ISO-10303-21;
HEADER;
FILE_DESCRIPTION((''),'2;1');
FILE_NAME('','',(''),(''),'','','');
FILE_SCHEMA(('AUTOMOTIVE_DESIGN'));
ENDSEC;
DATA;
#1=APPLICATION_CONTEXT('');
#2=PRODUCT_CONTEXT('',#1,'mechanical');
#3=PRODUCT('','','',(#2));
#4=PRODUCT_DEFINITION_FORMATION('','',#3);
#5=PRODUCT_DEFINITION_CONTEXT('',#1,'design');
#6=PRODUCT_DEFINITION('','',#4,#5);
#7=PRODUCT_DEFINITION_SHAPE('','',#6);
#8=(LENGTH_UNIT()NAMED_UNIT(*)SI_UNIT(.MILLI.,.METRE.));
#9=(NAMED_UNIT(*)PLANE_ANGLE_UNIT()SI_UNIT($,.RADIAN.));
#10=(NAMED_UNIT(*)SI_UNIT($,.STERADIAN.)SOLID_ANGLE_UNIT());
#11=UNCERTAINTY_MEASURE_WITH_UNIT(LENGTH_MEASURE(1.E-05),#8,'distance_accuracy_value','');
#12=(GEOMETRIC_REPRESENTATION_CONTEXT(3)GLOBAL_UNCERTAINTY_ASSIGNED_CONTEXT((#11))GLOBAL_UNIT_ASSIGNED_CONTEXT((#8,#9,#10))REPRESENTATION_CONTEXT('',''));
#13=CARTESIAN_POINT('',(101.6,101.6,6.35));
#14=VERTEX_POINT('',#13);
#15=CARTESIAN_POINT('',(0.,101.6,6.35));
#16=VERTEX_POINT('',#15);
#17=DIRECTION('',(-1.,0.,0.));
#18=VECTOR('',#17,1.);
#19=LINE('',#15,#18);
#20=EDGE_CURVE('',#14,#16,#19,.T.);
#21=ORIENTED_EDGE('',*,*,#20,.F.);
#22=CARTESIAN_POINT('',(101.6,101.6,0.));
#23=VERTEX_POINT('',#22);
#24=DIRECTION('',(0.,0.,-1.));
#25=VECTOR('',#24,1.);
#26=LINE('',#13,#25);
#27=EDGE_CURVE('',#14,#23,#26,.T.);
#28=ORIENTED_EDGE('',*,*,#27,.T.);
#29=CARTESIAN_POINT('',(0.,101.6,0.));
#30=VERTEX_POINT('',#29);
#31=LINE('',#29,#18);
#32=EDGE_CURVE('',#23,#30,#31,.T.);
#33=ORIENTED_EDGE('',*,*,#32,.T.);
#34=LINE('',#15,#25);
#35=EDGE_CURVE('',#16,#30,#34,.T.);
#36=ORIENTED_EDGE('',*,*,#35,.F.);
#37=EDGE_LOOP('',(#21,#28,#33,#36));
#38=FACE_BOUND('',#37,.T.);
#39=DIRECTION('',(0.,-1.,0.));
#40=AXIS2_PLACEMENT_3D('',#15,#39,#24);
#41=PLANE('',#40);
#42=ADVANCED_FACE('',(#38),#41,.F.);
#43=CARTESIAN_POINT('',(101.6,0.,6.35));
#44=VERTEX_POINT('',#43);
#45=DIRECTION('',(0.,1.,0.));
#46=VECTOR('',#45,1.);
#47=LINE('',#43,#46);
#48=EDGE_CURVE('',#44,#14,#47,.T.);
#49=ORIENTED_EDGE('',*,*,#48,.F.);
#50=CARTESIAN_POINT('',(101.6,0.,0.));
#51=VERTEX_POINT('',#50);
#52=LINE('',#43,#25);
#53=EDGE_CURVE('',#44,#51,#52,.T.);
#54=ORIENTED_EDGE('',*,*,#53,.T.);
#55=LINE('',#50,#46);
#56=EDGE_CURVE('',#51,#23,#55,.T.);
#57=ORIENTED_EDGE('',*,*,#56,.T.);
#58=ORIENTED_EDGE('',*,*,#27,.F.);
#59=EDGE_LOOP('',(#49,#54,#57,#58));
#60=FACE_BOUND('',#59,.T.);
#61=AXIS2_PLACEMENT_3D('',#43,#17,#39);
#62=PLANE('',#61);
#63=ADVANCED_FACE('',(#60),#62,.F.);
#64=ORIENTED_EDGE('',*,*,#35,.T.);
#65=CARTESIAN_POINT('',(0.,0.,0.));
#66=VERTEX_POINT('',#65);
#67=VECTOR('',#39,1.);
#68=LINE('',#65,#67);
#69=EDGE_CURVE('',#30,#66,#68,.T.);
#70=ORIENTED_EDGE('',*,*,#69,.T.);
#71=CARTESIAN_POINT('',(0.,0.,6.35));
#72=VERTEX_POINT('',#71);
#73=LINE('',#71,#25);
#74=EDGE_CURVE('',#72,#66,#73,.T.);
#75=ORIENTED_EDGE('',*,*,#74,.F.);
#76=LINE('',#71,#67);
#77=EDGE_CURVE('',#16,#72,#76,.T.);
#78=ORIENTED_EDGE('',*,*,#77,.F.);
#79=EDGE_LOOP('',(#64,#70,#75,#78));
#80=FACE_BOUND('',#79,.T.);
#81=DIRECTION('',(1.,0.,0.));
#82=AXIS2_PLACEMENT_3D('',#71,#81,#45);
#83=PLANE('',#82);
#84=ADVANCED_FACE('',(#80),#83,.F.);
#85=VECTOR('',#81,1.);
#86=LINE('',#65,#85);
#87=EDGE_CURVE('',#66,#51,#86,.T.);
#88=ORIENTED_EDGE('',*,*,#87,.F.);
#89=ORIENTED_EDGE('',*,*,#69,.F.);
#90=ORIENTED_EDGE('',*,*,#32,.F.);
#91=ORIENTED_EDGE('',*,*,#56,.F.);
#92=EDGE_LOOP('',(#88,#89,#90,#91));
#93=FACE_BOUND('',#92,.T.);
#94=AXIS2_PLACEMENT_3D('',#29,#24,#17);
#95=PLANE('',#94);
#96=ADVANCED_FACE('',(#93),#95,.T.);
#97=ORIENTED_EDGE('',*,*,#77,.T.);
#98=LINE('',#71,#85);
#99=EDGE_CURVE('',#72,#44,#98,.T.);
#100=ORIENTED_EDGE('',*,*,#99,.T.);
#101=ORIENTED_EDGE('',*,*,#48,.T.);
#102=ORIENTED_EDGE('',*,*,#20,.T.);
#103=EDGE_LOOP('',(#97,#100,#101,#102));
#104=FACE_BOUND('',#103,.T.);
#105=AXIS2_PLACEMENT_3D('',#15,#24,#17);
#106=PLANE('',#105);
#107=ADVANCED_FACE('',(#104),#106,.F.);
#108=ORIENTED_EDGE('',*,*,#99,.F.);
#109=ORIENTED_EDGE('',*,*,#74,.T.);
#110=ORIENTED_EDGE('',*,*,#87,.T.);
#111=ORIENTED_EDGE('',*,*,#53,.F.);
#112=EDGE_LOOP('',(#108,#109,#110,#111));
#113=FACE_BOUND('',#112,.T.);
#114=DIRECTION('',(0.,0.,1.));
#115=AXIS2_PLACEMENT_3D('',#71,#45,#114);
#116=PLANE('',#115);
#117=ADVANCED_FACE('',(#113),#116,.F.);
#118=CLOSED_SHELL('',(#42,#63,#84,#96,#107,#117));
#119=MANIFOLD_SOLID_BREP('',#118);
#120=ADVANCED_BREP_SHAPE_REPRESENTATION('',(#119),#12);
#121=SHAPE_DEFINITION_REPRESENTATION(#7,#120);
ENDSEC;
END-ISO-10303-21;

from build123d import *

# Parameters (mm, degrees)
SKETCH2_W      = 101.6
SKETCH2_H      = 101.6
EXTRUDE1_DEPTH = 6.35


with BuildPart() as part:
    # Sketch2 → Extrude1 (new body)
    with BuildSketch(Plane.XY):
        with Locations((50.8, 50.8)):
            Rectangle(SKETCH2_W, SKETCH2_H)
    extrude(amount=EXTRUDE1_DEPTH)


solid = part.part
